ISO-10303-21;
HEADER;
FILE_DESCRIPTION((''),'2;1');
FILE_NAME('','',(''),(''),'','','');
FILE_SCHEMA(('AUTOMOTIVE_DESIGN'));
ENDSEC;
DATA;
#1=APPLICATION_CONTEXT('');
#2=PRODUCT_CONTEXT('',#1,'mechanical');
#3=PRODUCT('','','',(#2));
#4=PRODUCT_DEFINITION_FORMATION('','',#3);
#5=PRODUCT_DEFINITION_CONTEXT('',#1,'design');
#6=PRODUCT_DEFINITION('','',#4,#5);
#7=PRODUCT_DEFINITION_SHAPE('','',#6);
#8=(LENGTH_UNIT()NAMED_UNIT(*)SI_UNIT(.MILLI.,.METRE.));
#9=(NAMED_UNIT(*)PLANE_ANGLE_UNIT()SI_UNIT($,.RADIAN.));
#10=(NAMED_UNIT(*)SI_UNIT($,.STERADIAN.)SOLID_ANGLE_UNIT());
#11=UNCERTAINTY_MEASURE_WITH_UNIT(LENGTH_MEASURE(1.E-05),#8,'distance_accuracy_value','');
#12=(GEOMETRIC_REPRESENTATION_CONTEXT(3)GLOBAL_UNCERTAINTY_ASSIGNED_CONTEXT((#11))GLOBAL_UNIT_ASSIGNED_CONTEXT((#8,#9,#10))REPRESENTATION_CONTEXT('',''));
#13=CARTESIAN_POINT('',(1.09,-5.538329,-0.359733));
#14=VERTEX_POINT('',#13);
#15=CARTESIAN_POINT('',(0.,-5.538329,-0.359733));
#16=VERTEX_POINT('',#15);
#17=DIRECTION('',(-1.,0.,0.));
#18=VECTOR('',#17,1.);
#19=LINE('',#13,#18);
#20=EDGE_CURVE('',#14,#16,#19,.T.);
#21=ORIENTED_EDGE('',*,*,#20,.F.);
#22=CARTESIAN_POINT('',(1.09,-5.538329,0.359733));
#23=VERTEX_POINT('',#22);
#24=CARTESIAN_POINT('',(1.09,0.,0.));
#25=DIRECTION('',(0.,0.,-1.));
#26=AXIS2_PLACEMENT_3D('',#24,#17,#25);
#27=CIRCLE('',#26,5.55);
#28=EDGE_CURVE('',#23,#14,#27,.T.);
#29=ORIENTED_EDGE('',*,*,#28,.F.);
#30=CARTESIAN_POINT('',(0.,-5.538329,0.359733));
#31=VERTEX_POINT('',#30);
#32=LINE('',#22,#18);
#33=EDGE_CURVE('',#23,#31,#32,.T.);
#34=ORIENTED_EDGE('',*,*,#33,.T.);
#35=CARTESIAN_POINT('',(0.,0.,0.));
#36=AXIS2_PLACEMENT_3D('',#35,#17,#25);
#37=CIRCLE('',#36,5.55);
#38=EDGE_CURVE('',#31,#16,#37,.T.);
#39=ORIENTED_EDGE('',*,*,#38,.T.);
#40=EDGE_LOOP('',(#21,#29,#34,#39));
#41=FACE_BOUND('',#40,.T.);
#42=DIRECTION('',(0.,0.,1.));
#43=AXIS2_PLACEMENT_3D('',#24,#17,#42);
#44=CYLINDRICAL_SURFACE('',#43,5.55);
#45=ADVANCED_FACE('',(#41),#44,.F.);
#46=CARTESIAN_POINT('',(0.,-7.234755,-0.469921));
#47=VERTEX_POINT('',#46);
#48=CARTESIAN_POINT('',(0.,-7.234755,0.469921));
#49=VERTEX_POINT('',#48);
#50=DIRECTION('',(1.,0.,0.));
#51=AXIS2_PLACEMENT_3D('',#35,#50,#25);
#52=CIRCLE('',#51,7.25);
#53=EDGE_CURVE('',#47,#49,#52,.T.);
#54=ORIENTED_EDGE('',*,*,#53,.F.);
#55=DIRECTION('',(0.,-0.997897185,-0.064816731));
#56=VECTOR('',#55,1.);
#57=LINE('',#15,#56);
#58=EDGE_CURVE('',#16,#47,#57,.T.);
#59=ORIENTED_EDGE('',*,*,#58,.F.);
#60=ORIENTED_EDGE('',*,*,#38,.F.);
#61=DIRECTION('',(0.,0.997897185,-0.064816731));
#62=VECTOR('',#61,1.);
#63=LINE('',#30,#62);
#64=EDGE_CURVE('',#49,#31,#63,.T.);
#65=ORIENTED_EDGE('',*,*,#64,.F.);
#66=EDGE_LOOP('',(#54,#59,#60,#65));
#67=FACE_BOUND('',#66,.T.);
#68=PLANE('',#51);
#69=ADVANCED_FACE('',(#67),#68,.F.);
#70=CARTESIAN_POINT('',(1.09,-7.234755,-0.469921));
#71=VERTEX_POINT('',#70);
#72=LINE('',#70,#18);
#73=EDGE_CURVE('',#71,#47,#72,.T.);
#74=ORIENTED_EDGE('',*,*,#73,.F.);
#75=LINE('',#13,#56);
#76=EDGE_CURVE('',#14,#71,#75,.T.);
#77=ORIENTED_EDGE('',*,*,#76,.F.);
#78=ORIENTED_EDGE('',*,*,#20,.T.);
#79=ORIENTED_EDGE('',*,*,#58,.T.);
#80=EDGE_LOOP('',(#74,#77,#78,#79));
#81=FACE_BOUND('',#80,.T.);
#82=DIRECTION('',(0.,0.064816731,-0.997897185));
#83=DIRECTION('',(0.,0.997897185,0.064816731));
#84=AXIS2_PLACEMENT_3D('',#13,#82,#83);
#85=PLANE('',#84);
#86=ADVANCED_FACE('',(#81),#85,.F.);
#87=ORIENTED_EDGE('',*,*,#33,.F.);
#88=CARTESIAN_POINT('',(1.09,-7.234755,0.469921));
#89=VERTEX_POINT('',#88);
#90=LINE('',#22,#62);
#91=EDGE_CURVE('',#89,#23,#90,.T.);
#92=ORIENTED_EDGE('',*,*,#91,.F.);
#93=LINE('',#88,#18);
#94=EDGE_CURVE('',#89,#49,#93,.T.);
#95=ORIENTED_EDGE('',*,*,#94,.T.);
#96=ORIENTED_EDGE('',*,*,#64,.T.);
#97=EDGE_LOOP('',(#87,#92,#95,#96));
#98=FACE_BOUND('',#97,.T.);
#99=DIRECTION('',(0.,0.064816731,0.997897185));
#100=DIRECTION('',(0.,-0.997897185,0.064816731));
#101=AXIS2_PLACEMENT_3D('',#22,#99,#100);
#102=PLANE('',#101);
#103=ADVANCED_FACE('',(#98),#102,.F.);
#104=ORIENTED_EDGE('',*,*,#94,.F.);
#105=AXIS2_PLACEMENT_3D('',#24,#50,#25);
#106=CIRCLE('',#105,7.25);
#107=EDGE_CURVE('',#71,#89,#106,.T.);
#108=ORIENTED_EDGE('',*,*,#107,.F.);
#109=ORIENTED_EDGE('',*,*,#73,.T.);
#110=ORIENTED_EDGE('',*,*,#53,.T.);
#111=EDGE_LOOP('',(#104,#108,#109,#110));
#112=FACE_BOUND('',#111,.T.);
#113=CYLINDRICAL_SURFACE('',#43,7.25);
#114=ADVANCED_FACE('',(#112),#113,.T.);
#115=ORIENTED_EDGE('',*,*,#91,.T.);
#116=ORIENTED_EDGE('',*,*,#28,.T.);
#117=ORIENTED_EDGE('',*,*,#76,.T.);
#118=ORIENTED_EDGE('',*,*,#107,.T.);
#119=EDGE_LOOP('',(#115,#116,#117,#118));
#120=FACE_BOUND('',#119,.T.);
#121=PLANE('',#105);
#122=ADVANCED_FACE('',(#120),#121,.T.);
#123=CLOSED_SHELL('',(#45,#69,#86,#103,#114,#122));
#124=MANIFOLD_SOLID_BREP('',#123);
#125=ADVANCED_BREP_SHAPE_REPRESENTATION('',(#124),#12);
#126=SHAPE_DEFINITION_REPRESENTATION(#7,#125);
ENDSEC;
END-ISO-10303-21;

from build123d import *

# Parameters (mm, degrees)
BOSS_EXTRUDE1_DEPTH = 1.09


with BuildPart() as part:
    # Sketch1 → Boss-Extrude1 (new body)
    with BuildSketch(Plane(origin=(0, 0, 0), x_dir=(0, 0, -1), z_dir=(1, 0, 0))):
        with BuildLine():
            Line((-0.35973286, -5.538329375), (-0.469921303, -7.234754589))
            ThreePointArc((-0.469921303, -7.234754589), (0, 7.25), (0.469921303, -7.234754589))
            Line((0.469921303, -7.234754589), (0.35973286, -5.538329375))
            ThreePointArc((0.35973286, -5.538329375), (0, 5.55), (-0.35973286, -5.538329375))
        make_face()
    extrude(amount=BOSS_EXTRUDE1_DEPTH)


solid = part.part
